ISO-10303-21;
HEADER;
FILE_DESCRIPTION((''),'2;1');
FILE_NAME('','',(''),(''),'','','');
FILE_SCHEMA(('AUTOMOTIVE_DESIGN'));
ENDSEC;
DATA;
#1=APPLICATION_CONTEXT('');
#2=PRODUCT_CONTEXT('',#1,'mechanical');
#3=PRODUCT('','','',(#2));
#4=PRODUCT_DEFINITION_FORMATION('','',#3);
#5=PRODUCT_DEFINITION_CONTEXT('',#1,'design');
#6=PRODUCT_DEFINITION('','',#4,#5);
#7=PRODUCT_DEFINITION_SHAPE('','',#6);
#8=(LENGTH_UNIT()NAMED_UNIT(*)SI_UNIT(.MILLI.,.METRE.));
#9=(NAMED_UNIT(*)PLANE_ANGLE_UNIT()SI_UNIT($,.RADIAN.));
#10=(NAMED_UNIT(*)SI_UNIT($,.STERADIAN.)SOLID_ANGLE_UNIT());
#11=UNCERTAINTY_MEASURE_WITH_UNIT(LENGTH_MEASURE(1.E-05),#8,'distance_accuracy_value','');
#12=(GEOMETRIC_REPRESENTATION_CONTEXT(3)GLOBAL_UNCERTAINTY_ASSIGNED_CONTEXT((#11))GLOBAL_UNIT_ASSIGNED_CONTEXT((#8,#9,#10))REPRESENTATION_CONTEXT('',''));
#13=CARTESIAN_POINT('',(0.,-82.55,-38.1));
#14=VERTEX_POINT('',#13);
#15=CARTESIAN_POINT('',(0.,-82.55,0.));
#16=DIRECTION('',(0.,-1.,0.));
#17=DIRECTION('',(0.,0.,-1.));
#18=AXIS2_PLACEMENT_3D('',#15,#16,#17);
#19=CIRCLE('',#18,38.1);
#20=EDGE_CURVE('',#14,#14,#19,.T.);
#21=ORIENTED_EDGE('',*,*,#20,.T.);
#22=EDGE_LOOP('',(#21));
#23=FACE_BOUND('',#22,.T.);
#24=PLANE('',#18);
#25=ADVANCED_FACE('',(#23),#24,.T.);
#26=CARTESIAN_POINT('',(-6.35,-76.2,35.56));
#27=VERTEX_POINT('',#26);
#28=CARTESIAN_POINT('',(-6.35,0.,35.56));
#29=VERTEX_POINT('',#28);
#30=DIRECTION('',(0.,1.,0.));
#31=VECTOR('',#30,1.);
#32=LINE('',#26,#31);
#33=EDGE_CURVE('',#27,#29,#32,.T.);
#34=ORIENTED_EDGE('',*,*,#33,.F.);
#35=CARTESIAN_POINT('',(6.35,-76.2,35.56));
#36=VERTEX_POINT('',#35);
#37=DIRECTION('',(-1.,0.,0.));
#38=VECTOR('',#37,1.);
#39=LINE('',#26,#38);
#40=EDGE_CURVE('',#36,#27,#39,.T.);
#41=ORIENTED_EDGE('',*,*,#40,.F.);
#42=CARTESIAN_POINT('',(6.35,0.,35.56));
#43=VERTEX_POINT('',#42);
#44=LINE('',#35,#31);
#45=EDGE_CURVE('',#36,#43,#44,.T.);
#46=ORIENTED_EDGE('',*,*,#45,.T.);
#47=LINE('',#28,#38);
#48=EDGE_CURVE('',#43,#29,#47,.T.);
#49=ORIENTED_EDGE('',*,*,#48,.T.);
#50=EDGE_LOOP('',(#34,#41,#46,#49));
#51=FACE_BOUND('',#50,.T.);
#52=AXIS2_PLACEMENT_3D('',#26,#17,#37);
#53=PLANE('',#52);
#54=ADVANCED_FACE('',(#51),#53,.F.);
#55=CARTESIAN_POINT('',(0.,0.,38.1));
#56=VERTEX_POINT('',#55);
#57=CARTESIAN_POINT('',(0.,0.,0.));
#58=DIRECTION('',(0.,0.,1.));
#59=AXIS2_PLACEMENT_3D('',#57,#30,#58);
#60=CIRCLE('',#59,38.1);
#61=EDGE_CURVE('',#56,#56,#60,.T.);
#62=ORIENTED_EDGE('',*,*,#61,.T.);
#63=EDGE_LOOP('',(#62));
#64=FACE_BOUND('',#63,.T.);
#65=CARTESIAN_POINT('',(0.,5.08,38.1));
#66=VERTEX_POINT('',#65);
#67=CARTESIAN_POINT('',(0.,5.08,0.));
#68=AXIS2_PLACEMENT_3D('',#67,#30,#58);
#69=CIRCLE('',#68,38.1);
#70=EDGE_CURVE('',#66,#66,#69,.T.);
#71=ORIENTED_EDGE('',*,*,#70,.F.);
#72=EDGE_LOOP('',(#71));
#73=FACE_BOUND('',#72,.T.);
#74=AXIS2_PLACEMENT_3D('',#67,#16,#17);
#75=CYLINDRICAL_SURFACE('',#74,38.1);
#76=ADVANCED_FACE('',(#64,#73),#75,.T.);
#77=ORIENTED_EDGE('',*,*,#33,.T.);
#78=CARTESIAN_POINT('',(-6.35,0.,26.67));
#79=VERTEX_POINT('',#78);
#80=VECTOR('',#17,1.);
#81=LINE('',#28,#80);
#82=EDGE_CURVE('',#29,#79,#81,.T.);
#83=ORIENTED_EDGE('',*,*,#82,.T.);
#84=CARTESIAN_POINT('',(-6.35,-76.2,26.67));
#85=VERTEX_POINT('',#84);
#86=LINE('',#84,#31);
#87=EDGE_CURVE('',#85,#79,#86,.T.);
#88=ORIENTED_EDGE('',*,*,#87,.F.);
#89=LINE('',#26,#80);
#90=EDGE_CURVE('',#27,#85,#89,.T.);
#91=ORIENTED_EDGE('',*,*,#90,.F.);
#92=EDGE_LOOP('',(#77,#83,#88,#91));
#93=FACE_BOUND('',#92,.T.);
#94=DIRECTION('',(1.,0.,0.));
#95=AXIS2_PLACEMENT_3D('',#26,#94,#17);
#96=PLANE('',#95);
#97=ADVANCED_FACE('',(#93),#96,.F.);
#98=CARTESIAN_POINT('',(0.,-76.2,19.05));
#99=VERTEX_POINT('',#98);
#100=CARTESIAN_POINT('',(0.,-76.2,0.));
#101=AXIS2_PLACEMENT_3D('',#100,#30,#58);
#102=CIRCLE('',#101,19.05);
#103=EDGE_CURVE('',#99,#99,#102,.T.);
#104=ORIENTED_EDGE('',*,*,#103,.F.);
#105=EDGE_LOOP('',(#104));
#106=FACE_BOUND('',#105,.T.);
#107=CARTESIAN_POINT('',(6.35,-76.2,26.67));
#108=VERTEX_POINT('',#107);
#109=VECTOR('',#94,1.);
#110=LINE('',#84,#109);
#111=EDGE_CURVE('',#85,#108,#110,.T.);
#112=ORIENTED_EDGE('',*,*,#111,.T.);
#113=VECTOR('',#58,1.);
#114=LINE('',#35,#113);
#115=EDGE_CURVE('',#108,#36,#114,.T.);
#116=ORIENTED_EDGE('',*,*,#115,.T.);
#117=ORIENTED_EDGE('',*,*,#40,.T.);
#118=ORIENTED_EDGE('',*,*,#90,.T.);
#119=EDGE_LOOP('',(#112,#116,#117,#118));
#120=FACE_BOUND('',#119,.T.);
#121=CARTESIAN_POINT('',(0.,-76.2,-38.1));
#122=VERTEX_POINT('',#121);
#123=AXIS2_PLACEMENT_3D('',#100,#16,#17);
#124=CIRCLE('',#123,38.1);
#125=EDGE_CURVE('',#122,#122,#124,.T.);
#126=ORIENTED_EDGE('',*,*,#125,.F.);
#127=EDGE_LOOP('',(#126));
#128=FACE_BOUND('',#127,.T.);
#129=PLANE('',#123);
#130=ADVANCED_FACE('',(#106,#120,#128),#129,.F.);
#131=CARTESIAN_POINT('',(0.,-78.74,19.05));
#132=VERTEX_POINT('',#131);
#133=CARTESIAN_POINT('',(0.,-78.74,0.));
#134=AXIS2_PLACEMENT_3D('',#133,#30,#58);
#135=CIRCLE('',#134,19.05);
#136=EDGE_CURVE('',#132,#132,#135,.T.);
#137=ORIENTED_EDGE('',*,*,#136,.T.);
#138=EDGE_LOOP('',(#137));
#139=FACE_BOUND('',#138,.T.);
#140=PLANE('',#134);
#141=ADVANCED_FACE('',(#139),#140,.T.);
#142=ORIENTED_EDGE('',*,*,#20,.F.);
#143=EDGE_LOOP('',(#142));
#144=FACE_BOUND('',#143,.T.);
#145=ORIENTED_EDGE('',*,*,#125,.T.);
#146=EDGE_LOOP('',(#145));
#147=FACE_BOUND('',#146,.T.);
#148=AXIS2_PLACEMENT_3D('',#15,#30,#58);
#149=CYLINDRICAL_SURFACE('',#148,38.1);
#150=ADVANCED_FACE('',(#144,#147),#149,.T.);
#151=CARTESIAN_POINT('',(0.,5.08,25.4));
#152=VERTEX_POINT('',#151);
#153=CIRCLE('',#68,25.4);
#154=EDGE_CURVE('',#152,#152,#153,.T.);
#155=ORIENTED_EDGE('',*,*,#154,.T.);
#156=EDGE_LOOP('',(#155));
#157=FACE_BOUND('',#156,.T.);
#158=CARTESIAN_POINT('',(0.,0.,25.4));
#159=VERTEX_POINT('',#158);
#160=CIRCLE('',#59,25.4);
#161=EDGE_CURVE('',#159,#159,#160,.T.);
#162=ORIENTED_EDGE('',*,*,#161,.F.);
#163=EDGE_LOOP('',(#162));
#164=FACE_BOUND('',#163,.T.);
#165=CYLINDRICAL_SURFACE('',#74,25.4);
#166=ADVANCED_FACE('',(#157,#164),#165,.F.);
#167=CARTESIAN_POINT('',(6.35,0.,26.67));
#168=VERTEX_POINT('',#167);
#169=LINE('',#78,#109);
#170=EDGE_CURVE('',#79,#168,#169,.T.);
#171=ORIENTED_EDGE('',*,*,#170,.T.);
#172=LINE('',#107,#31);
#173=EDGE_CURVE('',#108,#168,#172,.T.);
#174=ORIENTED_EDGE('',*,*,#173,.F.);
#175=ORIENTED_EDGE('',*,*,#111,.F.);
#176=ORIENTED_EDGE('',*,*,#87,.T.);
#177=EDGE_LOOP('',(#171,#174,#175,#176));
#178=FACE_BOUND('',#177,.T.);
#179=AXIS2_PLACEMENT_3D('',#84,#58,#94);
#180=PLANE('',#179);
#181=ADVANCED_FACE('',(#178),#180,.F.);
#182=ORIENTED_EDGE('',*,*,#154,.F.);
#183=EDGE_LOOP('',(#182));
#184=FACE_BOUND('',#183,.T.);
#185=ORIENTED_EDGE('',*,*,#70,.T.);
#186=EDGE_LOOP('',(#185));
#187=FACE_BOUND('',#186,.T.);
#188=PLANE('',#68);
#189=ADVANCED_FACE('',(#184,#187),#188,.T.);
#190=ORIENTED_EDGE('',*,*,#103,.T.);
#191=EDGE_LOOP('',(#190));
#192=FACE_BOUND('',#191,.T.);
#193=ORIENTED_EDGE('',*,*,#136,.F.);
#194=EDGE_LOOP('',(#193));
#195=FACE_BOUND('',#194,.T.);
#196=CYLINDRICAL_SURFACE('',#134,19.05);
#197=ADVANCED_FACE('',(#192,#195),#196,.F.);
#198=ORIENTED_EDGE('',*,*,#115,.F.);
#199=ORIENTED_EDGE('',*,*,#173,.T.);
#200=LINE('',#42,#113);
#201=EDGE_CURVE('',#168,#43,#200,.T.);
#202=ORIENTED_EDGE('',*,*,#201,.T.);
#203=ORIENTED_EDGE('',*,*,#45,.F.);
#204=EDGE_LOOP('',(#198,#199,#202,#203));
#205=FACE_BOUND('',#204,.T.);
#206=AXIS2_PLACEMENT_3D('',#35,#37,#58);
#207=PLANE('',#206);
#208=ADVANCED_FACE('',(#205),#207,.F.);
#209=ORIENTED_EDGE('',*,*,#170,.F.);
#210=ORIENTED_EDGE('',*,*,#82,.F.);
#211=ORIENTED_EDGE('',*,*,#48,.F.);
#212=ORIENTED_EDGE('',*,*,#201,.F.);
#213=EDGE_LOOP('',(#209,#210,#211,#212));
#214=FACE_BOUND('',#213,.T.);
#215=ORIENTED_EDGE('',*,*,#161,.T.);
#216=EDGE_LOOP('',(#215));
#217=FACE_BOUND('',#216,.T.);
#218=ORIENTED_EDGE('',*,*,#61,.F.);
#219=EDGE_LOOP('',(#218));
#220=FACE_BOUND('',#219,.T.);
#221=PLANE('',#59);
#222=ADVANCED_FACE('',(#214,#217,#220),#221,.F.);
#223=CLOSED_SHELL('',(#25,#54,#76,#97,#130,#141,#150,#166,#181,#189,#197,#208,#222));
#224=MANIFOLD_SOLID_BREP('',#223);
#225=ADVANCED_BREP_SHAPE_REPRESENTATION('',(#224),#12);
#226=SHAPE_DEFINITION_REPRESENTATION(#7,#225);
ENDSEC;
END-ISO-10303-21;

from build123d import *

# Parameters (mm, degrees)
SKETCH1_R           = 38.1
SKETCH1_R_2         = 25.4
BOSS_EXTRUDE1_DEPTH = 5.08
SKETCH4_W           = 12.7
SKETCH4_H           = 8.89
BOSS_EXTRUDE3_DEPTH = 76.2
SKETCH5_R           = 38.1
BOSS_EXTRUDE4_DEPTH = 6.35
SKETCH6_R           = 19.05
CUT_EXTRUDE1_DEPTH  = 2.54


with BuildPart() as part:
    # Sketch1 → Boss-Extrude1 (new body)
    with BuildSketch(Plane(origin=(0, 0, 0), x_dir=(1, 0, 0), z_dir=(0, 1, 0))):
        with Locations(Location((0, 0, 0), (0, 0, 270))):  # turned: the seam where the file's is
            Circle(SKETCH1_R)
        with Locations(Location((0, 0, 0), (0, 0, 270))):  # turned: the seam where the file's is
            Circle(SKETCH1_R_2, mode=Mode.SUBTRACT)
    extrude(amount=BOSS_EXTRUDE1_DEPTH)

    # Sketch4 → Boss-Extrude3 (add)
    with BuildSketch(Plane.XZ):
        with Locations((0, 31.115)):
            Rectangle(SKETCH4_W, SKETCH4_H)
    extrude(amount=BOSS_EXTRUDE3_DEPTH)

    # Sketch5 → Boss-Extrude4 (add)
    with BuildSketch(Plane.XZ.offset(76.2)):
        with Locations(Location((0, 0, 0), (0, 0, 90))):  # turned: the seam where the file's is
            Circle(SKETCH5_R)
    extrude(amount=BOSS_EXTRUDE4_DEPTH)

    # Sketch6 → Cut-Extrude1 (cut)
    with BuildSketch(Plane(origin=(0, -76.2, 0), x_dir=(1, 0, 0), z_dir=(0, 1, 0))):
        with Locations(Location((0, 0, 0), (0, 0, 270))):  # turned: the seam where the file's is
            Circle(SKETCH6_R)
    extrude(amount=-CUT_EXTRUDE1_DEPTH, mode=Mode.SUBTRACT)


solid = part.part
